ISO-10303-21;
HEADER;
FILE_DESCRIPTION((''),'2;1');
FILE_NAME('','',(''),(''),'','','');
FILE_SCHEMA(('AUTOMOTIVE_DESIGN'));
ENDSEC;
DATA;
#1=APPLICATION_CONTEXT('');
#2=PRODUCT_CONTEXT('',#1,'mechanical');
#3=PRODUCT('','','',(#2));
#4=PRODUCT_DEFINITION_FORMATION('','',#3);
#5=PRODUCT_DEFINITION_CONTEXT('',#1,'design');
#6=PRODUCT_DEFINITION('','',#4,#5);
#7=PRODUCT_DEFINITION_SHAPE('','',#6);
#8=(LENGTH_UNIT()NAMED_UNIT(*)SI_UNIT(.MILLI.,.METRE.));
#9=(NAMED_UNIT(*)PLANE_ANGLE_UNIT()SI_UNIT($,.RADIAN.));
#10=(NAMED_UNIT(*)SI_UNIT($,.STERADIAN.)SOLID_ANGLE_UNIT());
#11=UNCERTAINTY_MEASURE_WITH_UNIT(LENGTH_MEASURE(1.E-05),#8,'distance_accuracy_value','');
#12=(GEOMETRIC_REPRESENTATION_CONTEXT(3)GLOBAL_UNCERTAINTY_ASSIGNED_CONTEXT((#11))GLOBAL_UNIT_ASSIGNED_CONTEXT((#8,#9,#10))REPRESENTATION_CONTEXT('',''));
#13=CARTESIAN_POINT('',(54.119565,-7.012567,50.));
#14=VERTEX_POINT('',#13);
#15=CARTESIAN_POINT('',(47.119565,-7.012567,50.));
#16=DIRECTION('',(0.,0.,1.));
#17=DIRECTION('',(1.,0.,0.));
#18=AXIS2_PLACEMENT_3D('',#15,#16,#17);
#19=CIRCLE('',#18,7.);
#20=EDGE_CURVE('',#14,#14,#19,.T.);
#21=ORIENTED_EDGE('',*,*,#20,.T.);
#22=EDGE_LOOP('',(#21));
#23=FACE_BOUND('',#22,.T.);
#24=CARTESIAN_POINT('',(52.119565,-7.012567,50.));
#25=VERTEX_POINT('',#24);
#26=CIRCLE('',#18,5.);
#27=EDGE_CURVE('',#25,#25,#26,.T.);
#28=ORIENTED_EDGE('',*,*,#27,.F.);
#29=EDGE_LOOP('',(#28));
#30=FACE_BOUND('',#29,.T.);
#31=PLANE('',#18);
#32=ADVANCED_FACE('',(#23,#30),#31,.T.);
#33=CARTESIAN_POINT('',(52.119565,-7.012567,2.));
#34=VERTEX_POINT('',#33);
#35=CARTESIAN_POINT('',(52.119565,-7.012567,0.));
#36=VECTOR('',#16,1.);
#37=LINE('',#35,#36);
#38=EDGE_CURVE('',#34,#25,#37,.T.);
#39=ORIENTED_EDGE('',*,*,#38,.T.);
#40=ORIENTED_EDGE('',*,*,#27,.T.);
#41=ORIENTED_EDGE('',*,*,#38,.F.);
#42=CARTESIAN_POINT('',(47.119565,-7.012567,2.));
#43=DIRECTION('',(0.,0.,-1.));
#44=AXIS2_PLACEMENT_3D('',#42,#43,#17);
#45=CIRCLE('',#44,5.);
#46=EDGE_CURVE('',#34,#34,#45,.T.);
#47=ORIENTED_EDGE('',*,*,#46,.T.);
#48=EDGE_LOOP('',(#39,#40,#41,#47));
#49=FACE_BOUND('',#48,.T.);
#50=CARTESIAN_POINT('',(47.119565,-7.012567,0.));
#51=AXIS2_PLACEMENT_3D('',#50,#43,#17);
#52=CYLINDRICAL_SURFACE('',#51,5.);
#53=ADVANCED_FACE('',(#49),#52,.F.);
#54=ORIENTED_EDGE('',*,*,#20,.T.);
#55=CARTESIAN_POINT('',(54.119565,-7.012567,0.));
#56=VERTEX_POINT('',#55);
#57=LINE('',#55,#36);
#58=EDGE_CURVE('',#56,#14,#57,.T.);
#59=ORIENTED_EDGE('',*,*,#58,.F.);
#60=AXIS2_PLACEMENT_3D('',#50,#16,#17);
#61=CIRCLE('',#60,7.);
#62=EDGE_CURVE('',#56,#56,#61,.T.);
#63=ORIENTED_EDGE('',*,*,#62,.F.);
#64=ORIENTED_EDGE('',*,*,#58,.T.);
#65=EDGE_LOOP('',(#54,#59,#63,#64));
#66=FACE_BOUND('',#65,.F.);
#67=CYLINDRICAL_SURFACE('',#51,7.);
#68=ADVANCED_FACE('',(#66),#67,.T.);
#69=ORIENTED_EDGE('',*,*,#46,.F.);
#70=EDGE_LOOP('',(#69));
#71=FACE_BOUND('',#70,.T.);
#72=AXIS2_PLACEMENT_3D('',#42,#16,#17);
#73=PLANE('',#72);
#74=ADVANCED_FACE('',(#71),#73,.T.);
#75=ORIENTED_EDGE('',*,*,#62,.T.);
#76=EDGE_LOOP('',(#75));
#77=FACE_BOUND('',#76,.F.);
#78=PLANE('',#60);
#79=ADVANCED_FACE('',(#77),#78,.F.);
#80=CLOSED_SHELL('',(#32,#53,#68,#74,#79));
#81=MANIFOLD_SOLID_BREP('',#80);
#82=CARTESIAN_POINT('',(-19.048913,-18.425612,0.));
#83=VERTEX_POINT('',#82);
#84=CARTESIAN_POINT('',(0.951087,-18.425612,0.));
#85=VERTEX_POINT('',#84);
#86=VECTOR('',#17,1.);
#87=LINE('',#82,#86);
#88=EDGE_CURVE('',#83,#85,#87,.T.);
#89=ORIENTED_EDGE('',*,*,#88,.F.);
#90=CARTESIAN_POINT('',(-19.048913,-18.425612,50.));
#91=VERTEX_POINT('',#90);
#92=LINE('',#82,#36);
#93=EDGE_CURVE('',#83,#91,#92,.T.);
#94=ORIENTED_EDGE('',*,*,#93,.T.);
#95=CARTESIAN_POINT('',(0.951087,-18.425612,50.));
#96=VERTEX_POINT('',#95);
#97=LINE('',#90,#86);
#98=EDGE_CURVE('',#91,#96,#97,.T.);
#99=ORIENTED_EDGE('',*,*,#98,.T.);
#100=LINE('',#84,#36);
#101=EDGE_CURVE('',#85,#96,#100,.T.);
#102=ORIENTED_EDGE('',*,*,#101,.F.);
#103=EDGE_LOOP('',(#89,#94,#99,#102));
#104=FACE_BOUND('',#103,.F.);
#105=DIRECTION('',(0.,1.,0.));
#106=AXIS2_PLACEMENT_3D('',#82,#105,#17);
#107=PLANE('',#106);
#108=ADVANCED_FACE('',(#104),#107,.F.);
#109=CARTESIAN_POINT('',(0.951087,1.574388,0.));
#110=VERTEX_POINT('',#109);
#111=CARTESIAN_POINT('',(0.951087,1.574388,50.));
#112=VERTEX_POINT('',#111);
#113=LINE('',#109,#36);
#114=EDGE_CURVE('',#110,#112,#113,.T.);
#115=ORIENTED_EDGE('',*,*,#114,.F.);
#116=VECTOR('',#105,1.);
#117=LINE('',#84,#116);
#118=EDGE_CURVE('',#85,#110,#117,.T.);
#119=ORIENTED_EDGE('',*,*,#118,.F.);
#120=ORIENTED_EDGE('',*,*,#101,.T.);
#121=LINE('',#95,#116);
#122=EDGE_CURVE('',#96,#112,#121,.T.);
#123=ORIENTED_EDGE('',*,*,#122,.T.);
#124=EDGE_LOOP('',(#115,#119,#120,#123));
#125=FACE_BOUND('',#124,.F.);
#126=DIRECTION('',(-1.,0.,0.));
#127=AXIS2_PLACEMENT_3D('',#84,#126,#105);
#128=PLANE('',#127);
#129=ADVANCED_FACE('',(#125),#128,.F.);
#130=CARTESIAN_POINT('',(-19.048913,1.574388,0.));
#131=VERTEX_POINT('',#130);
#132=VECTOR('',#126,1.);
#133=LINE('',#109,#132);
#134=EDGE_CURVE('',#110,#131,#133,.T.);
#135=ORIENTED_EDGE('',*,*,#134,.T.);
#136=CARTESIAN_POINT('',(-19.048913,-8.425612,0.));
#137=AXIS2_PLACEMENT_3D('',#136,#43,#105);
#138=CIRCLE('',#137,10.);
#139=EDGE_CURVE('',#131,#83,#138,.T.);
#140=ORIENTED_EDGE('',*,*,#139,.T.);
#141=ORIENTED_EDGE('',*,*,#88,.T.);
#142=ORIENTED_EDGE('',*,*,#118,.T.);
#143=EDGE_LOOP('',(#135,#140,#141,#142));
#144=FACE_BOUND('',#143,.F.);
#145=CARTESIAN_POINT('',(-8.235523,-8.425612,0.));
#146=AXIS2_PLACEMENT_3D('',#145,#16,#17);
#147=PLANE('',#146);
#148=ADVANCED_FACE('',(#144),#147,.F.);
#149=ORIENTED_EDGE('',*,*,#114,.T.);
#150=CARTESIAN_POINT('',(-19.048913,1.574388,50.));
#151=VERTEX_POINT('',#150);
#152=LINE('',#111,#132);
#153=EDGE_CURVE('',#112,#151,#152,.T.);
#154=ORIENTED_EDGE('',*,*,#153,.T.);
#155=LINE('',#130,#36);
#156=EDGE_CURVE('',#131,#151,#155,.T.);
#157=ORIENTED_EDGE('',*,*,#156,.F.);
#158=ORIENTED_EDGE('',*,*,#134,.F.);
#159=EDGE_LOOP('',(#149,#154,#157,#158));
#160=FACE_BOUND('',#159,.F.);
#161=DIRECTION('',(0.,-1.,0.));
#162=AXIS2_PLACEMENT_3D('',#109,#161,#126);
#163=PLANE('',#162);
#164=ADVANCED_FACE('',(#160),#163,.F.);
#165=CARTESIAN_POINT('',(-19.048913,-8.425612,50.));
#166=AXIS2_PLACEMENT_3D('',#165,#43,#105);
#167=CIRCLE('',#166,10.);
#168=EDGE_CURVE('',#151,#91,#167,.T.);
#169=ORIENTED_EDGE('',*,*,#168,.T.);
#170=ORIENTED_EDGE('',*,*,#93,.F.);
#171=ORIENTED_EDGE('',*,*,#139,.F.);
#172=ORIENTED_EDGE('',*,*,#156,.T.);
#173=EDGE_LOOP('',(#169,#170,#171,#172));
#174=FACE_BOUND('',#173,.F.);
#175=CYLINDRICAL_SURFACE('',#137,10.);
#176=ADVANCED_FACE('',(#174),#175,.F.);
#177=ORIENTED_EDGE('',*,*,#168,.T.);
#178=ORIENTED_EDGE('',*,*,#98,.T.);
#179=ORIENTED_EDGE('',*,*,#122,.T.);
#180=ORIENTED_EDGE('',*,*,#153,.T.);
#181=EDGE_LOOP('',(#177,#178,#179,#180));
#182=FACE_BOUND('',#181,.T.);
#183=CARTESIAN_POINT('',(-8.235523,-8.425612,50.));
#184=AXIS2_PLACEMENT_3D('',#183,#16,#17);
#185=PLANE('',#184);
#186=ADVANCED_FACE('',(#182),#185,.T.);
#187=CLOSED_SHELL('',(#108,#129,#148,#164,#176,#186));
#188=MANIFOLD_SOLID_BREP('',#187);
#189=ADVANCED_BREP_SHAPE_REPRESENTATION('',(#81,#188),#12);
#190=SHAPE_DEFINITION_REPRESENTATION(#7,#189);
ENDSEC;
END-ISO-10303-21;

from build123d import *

# Parameters (mm, degrees)
F1_DEPTH = 50
F0_R     = 7
F2_DEPTH = 50
F3_T     = -2


with BuildPart() as f1:
    # F0 (on Top) → F1 (new body)
    with BuildSketch(Plane.XY):
        with BuildLine():
            Line((0.951087, 1.574388), (-19.048913, 1.574388))
            ThreePointArc((-19.048913, 1.574388), (-9.048913, -8.425612), (-19.048913, -18.425612))
            Line((-19.048913, -18.425612), (0.951087, -18.425612))
            Line((0.951087, -18.425612), (0.951087, 1.574388))
        make_face()
    extrude(amount=F1_DEPTH)


with BuildPart() as f2:
    # F0 (on Top) → F2 (new body)
    with BuildSketch(Plane.XY):
        with Locations((47.119565, -7.012567)):
            Circle(F0_R)
    extrude(amount=F2_DEPTH)

    # F3
    f3_openings = [f2.faces().sort_by_distance(p)[0] for p in [
        (47.119565, -7.012567, 50),
    ]]
    offset(amount=F3_T, openings=f3_openings)


solid = Compound([f1.part, f2.part])
